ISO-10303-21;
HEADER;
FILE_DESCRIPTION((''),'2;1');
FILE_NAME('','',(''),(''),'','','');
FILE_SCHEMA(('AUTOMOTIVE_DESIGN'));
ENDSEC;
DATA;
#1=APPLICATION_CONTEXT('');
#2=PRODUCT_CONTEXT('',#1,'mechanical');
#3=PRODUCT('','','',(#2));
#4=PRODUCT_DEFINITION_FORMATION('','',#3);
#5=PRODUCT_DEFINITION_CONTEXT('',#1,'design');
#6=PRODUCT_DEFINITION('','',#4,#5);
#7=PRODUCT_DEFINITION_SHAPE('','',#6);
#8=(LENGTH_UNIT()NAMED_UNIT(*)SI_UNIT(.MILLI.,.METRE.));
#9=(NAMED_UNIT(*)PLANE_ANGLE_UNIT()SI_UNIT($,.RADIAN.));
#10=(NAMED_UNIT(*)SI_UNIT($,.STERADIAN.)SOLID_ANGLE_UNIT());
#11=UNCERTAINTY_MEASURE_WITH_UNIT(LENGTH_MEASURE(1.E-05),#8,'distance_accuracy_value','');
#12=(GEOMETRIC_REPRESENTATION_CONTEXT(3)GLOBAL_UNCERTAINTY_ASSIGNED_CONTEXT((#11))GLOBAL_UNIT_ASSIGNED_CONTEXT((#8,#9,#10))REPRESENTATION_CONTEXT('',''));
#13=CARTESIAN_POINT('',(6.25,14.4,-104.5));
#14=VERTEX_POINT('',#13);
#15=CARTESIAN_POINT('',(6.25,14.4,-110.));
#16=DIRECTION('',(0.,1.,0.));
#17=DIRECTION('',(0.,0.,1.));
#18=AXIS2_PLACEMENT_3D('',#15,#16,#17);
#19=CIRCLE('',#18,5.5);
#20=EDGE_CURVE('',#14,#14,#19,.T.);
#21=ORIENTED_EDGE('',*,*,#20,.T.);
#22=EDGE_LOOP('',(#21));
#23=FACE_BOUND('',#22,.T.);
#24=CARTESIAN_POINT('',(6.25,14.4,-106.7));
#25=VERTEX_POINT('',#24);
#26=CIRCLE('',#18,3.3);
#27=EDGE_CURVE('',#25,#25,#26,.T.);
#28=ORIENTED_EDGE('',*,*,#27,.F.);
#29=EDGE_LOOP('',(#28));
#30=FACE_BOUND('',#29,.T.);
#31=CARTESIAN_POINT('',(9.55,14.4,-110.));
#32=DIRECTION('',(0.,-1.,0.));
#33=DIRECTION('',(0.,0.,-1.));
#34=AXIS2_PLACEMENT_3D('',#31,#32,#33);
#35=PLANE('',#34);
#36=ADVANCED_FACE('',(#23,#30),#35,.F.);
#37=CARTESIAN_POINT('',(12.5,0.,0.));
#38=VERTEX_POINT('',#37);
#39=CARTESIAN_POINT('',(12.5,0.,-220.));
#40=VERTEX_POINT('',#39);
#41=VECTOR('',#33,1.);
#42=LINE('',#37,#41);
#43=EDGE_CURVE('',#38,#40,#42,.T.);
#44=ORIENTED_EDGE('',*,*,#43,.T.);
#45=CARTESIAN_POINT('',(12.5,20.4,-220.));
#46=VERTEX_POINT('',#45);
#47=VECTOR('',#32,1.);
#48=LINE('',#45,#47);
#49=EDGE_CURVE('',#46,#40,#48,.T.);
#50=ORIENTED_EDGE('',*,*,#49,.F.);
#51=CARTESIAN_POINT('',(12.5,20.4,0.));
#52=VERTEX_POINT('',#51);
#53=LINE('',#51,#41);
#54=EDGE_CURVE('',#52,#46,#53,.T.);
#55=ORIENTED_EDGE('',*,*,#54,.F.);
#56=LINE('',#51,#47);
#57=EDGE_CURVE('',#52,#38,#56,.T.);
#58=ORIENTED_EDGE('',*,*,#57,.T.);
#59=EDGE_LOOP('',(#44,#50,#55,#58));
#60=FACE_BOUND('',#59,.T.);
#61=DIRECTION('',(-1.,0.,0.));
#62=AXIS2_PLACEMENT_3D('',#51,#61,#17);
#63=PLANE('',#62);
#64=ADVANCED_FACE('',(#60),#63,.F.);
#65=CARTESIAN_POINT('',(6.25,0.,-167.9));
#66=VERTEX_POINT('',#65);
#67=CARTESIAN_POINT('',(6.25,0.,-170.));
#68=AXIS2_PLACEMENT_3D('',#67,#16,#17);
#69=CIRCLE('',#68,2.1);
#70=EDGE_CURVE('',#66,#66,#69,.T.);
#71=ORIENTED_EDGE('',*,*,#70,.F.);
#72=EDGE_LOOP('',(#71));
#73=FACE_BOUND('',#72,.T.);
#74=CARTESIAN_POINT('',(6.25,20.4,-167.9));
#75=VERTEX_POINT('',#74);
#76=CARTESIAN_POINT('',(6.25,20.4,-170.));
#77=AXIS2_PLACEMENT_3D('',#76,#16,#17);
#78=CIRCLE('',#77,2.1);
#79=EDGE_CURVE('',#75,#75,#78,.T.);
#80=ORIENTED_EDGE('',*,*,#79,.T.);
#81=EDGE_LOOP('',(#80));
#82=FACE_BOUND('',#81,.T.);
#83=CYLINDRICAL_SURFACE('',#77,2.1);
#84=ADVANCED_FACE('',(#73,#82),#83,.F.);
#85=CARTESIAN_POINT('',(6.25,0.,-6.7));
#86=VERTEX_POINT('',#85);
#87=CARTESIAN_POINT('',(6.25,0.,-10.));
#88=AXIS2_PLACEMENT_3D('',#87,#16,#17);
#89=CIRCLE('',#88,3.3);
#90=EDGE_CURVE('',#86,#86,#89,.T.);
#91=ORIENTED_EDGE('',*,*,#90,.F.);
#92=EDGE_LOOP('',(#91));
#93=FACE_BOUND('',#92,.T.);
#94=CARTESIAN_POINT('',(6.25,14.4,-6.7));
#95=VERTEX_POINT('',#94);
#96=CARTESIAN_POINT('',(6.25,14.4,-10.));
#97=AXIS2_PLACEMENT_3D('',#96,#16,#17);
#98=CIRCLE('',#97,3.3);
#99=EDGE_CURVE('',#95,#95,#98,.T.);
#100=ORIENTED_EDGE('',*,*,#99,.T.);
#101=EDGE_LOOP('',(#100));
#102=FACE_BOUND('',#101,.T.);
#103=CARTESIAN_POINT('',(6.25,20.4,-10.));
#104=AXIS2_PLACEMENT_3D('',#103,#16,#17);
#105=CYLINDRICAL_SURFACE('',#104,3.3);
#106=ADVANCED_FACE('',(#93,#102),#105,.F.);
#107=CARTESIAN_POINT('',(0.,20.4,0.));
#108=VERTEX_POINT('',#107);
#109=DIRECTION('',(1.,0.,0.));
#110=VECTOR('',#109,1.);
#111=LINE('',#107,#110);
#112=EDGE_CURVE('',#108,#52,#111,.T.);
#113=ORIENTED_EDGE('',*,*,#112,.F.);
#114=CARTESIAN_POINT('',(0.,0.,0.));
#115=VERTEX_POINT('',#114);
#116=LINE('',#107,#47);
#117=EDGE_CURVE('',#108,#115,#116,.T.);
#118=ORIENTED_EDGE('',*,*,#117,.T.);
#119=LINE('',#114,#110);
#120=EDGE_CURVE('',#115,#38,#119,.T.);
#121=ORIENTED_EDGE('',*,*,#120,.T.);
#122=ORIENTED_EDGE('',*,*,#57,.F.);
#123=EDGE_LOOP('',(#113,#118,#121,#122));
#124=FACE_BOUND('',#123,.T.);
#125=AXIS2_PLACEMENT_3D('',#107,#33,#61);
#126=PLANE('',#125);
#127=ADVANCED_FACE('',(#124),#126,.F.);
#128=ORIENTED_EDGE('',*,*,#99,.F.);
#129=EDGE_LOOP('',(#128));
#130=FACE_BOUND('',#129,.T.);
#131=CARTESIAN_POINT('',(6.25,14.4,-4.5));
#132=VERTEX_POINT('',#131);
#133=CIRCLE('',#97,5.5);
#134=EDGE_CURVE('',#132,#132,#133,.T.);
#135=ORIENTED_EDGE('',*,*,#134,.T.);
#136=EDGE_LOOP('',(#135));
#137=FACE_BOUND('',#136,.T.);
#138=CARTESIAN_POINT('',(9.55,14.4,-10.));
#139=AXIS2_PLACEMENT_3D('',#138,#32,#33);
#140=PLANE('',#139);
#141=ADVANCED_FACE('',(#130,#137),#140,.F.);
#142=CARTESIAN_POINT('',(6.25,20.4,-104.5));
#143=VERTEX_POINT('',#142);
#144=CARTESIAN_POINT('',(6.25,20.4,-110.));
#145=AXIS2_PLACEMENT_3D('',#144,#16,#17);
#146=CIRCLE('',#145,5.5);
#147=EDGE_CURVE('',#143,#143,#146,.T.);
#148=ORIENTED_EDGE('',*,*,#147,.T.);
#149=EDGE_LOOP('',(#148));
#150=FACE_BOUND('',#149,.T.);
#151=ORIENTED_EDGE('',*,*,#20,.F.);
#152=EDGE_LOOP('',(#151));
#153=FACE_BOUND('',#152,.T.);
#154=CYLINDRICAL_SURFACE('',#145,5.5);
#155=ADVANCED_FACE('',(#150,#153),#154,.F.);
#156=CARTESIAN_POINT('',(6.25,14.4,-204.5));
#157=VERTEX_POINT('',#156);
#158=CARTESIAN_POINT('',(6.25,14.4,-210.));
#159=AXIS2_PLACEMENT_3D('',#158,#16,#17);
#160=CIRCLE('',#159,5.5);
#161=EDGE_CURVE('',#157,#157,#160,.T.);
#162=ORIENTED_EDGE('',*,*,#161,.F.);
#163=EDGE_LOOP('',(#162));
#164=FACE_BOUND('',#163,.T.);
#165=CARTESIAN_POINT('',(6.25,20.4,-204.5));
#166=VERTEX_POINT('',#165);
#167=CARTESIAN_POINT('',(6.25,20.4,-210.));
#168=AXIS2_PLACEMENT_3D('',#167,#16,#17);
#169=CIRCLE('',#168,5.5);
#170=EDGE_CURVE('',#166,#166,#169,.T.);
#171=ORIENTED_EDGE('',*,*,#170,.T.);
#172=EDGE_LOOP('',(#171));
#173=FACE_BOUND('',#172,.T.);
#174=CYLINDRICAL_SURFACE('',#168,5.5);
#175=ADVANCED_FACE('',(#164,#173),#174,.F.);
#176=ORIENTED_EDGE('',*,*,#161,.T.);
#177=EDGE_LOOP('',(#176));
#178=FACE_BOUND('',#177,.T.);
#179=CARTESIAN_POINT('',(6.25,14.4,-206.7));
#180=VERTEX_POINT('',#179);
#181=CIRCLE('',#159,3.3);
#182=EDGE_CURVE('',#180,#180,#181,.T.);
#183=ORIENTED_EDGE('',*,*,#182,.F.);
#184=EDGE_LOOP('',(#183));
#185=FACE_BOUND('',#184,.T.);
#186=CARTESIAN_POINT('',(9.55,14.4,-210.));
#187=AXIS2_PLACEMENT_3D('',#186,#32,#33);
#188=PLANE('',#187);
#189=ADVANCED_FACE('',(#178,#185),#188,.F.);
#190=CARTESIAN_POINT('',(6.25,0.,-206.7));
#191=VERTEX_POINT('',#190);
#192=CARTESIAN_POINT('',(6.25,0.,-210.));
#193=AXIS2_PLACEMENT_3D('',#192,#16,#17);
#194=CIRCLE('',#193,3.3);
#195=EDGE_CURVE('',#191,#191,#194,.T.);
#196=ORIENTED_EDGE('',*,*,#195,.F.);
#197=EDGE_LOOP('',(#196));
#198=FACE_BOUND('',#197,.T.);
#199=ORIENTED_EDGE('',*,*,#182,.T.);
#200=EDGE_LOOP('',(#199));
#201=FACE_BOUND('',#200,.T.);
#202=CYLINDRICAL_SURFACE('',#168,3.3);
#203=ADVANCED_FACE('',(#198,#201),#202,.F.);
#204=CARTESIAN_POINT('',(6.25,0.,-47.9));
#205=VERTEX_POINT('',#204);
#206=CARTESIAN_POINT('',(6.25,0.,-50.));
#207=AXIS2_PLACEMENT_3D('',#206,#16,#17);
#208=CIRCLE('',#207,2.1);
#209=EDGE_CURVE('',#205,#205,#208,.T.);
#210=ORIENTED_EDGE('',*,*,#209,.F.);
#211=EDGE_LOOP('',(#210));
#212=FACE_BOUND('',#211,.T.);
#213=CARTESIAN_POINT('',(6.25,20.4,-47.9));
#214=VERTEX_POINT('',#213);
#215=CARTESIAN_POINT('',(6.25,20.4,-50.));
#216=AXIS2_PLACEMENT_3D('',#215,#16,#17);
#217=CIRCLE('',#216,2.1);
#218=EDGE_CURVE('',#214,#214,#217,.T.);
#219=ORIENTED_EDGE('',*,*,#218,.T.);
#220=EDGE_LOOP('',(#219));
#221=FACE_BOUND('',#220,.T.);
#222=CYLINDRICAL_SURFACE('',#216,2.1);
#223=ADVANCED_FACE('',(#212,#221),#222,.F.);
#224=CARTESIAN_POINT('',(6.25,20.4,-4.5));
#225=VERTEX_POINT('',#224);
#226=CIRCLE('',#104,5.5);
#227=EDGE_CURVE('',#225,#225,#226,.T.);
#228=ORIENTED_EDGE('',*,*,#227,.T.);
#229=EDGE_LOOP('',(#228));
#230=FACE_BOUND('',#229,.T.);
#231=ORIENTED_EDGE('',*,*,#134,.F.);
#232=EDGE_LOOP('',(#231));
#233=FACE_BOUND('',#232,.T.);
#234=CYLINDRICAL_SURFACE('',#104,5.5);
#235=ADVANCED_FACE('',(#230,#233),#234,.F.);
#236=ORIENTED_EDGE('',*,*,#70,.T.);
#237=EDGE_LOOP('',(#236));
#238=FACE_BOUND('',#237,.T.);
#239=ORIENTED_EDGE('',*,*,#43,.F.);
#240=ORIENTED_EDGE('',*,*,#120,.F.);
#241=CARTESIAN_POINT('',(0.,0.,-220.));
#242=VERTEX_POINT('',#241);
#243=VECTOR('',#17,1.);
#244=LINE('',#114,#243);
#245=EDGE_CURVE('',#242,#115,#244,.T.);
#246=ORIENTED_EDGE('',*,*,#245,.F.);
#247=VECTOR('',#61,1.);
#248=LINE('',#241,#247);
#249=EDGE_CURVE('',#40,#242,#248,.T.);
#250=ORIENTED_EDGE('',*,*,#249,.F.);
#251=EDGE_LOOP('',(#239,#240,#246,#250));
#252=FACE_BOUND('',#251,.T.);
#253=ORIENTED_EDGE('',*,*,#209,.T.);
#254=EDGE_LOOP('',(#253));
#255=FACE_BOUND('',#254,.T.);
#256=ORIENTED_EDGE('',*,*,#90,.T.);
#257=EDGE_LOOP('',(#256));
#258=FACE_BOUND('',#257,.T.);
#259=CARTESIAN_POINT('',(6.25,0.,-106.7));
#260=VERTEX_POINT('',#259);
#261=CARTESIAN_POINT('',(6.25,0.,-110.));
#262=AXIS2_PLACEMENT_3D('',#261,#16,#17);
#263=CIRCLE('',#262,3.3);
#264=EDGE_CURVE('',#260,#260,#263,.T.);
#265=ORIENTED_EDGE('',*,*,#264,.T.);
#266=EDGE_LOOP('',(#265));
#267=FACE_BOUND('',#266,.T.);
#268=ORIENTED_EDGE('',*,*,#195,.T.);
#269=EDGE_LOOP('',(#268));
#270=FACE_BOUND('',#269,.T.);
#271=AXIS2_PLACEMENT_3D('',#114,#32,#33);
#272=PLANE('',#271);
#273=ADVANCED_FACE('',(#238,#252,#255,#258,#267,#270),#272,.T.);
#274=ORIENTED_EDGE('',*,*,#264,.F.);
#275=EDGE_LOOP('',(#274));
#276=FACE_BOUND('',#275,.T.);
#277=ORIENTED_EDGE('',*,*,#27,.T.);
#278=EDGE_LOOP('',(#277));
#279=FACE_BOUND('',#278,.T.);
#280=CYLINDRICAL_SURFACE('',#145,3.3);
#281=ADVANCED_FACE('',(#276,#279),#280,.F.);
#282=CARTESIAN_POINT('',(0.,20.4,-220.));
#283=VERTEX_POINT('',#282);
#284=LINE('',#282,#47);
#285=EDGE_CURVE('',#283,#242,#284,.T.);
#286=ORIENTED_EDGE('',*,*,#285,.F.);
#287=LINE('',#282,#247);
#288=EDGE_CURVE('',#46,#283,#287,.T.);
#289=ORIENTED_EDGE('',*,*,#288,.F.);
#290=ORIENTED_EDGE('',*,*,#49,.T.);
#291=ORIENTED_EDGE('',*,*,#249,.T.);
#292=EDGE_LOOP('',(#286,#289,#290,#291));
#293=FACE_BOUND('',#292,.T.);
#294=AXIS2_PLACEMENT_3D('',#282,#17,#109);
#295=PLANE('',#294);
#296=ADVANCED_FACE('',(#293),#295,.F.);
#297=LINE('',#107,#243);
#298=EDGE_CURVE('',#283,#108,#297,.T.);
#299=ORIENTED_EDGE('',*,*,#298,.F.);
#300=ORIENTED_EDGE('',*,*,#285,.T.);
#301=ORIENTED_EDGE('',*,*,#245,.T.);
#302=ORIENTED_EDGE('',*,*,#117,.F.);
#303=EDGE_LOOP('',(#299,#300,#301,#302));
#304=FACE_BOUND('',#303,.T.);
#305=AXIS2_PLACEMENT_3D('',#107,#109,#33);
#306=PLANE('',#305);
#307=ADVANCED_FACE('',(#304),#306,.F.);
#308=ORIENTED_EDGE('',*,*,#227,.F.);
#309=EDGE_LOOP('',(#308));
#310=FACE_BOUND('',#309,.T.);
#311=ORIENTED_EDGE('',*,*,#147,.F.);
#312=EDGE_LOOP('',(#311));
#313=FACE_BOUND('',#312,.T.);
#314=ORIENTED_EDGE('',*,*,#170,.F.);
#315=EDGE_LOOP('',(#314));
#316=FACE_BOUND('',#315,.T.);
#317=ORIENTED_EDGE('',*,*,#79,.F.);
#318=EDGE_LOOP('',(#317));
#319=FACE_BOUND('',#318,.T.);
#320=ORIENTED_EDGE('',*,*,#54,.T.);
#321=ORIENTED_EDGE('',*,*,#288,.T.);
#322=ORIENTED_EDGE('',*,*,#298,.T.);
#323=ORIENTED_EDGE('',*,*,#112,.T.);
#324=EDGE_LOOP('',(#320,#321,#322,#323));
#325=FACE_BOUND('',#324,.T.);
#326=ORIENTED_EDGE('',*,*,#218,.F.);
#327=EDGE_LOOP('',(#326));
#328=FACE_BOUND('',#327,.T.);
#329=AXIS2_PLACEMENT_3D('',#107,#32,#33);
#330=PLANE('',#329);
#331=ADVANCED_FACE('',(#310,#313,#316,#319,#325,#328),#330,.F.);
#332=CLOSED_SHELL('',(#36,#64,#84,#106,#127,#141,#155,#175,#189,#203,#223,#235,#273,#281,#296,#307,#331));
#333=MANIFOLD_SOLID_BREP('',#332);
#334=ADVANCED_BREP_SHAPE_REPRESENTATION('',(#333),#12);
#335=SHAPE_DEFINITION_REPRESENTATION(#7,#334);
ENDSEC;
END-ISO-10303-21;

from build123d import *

# Parameters (mm, degrees)
SKETCH1_W                       = 12.5
SKETCH1_H                       = 220
BLOCO_DEPTH                     = 20.4
REBAIXO_M6_PASSANTE_D           = 6.6
REBAIXO_M6_PASSANTE_CBORE_D     = 11
REBAIXO_M6_PASSANTE_CBORE_DEPTH = 6
FURO_M5X0_8_PASSANTE_D          = 4.2


with BuildPart() as part:
    # Sketch1 → Bloco (new body)
    with BuildSketch(Plane(origin=(0, 0, 0), x_dir=(1, 0, 0), z_dir=(0, 1, 0))):
        with Locations((6.25, 110)):
            Rectangle(SKETCH1_W, SKETCH1_H)
    extrude(amount=BLOCO_DEPTH)

    # Rebaixo M6 - Passante (through all)
    with Locations(Plane(origin=(0, 20.4, 0), x_dir=(1, 0, 0), z_dir=(0, 1, 0))):
        with Locations((6.25, 10), (6.25, 110), (6.25, 210)):
            CounterBoreHole(REBAIXO_M6_PASSANTE_D / 2, REBAIXO_M6_PASSANTE_CBORE_D / 2, REBAIXO_M6_PASSANTE_CBORE_DEPTH)

    # Furo M5x0.8 - Passante (through all)
    with Locations(Plane(origin=(0, 20.4, 0), x_dir=(1, 0, 0), z_dir=(0, 1, 0))):
        with Locations((6.25, 50), (6.25, 170)):
            Hole(FURO_M5X0_8_PASSANTE_D / 2)


solid = part.part
